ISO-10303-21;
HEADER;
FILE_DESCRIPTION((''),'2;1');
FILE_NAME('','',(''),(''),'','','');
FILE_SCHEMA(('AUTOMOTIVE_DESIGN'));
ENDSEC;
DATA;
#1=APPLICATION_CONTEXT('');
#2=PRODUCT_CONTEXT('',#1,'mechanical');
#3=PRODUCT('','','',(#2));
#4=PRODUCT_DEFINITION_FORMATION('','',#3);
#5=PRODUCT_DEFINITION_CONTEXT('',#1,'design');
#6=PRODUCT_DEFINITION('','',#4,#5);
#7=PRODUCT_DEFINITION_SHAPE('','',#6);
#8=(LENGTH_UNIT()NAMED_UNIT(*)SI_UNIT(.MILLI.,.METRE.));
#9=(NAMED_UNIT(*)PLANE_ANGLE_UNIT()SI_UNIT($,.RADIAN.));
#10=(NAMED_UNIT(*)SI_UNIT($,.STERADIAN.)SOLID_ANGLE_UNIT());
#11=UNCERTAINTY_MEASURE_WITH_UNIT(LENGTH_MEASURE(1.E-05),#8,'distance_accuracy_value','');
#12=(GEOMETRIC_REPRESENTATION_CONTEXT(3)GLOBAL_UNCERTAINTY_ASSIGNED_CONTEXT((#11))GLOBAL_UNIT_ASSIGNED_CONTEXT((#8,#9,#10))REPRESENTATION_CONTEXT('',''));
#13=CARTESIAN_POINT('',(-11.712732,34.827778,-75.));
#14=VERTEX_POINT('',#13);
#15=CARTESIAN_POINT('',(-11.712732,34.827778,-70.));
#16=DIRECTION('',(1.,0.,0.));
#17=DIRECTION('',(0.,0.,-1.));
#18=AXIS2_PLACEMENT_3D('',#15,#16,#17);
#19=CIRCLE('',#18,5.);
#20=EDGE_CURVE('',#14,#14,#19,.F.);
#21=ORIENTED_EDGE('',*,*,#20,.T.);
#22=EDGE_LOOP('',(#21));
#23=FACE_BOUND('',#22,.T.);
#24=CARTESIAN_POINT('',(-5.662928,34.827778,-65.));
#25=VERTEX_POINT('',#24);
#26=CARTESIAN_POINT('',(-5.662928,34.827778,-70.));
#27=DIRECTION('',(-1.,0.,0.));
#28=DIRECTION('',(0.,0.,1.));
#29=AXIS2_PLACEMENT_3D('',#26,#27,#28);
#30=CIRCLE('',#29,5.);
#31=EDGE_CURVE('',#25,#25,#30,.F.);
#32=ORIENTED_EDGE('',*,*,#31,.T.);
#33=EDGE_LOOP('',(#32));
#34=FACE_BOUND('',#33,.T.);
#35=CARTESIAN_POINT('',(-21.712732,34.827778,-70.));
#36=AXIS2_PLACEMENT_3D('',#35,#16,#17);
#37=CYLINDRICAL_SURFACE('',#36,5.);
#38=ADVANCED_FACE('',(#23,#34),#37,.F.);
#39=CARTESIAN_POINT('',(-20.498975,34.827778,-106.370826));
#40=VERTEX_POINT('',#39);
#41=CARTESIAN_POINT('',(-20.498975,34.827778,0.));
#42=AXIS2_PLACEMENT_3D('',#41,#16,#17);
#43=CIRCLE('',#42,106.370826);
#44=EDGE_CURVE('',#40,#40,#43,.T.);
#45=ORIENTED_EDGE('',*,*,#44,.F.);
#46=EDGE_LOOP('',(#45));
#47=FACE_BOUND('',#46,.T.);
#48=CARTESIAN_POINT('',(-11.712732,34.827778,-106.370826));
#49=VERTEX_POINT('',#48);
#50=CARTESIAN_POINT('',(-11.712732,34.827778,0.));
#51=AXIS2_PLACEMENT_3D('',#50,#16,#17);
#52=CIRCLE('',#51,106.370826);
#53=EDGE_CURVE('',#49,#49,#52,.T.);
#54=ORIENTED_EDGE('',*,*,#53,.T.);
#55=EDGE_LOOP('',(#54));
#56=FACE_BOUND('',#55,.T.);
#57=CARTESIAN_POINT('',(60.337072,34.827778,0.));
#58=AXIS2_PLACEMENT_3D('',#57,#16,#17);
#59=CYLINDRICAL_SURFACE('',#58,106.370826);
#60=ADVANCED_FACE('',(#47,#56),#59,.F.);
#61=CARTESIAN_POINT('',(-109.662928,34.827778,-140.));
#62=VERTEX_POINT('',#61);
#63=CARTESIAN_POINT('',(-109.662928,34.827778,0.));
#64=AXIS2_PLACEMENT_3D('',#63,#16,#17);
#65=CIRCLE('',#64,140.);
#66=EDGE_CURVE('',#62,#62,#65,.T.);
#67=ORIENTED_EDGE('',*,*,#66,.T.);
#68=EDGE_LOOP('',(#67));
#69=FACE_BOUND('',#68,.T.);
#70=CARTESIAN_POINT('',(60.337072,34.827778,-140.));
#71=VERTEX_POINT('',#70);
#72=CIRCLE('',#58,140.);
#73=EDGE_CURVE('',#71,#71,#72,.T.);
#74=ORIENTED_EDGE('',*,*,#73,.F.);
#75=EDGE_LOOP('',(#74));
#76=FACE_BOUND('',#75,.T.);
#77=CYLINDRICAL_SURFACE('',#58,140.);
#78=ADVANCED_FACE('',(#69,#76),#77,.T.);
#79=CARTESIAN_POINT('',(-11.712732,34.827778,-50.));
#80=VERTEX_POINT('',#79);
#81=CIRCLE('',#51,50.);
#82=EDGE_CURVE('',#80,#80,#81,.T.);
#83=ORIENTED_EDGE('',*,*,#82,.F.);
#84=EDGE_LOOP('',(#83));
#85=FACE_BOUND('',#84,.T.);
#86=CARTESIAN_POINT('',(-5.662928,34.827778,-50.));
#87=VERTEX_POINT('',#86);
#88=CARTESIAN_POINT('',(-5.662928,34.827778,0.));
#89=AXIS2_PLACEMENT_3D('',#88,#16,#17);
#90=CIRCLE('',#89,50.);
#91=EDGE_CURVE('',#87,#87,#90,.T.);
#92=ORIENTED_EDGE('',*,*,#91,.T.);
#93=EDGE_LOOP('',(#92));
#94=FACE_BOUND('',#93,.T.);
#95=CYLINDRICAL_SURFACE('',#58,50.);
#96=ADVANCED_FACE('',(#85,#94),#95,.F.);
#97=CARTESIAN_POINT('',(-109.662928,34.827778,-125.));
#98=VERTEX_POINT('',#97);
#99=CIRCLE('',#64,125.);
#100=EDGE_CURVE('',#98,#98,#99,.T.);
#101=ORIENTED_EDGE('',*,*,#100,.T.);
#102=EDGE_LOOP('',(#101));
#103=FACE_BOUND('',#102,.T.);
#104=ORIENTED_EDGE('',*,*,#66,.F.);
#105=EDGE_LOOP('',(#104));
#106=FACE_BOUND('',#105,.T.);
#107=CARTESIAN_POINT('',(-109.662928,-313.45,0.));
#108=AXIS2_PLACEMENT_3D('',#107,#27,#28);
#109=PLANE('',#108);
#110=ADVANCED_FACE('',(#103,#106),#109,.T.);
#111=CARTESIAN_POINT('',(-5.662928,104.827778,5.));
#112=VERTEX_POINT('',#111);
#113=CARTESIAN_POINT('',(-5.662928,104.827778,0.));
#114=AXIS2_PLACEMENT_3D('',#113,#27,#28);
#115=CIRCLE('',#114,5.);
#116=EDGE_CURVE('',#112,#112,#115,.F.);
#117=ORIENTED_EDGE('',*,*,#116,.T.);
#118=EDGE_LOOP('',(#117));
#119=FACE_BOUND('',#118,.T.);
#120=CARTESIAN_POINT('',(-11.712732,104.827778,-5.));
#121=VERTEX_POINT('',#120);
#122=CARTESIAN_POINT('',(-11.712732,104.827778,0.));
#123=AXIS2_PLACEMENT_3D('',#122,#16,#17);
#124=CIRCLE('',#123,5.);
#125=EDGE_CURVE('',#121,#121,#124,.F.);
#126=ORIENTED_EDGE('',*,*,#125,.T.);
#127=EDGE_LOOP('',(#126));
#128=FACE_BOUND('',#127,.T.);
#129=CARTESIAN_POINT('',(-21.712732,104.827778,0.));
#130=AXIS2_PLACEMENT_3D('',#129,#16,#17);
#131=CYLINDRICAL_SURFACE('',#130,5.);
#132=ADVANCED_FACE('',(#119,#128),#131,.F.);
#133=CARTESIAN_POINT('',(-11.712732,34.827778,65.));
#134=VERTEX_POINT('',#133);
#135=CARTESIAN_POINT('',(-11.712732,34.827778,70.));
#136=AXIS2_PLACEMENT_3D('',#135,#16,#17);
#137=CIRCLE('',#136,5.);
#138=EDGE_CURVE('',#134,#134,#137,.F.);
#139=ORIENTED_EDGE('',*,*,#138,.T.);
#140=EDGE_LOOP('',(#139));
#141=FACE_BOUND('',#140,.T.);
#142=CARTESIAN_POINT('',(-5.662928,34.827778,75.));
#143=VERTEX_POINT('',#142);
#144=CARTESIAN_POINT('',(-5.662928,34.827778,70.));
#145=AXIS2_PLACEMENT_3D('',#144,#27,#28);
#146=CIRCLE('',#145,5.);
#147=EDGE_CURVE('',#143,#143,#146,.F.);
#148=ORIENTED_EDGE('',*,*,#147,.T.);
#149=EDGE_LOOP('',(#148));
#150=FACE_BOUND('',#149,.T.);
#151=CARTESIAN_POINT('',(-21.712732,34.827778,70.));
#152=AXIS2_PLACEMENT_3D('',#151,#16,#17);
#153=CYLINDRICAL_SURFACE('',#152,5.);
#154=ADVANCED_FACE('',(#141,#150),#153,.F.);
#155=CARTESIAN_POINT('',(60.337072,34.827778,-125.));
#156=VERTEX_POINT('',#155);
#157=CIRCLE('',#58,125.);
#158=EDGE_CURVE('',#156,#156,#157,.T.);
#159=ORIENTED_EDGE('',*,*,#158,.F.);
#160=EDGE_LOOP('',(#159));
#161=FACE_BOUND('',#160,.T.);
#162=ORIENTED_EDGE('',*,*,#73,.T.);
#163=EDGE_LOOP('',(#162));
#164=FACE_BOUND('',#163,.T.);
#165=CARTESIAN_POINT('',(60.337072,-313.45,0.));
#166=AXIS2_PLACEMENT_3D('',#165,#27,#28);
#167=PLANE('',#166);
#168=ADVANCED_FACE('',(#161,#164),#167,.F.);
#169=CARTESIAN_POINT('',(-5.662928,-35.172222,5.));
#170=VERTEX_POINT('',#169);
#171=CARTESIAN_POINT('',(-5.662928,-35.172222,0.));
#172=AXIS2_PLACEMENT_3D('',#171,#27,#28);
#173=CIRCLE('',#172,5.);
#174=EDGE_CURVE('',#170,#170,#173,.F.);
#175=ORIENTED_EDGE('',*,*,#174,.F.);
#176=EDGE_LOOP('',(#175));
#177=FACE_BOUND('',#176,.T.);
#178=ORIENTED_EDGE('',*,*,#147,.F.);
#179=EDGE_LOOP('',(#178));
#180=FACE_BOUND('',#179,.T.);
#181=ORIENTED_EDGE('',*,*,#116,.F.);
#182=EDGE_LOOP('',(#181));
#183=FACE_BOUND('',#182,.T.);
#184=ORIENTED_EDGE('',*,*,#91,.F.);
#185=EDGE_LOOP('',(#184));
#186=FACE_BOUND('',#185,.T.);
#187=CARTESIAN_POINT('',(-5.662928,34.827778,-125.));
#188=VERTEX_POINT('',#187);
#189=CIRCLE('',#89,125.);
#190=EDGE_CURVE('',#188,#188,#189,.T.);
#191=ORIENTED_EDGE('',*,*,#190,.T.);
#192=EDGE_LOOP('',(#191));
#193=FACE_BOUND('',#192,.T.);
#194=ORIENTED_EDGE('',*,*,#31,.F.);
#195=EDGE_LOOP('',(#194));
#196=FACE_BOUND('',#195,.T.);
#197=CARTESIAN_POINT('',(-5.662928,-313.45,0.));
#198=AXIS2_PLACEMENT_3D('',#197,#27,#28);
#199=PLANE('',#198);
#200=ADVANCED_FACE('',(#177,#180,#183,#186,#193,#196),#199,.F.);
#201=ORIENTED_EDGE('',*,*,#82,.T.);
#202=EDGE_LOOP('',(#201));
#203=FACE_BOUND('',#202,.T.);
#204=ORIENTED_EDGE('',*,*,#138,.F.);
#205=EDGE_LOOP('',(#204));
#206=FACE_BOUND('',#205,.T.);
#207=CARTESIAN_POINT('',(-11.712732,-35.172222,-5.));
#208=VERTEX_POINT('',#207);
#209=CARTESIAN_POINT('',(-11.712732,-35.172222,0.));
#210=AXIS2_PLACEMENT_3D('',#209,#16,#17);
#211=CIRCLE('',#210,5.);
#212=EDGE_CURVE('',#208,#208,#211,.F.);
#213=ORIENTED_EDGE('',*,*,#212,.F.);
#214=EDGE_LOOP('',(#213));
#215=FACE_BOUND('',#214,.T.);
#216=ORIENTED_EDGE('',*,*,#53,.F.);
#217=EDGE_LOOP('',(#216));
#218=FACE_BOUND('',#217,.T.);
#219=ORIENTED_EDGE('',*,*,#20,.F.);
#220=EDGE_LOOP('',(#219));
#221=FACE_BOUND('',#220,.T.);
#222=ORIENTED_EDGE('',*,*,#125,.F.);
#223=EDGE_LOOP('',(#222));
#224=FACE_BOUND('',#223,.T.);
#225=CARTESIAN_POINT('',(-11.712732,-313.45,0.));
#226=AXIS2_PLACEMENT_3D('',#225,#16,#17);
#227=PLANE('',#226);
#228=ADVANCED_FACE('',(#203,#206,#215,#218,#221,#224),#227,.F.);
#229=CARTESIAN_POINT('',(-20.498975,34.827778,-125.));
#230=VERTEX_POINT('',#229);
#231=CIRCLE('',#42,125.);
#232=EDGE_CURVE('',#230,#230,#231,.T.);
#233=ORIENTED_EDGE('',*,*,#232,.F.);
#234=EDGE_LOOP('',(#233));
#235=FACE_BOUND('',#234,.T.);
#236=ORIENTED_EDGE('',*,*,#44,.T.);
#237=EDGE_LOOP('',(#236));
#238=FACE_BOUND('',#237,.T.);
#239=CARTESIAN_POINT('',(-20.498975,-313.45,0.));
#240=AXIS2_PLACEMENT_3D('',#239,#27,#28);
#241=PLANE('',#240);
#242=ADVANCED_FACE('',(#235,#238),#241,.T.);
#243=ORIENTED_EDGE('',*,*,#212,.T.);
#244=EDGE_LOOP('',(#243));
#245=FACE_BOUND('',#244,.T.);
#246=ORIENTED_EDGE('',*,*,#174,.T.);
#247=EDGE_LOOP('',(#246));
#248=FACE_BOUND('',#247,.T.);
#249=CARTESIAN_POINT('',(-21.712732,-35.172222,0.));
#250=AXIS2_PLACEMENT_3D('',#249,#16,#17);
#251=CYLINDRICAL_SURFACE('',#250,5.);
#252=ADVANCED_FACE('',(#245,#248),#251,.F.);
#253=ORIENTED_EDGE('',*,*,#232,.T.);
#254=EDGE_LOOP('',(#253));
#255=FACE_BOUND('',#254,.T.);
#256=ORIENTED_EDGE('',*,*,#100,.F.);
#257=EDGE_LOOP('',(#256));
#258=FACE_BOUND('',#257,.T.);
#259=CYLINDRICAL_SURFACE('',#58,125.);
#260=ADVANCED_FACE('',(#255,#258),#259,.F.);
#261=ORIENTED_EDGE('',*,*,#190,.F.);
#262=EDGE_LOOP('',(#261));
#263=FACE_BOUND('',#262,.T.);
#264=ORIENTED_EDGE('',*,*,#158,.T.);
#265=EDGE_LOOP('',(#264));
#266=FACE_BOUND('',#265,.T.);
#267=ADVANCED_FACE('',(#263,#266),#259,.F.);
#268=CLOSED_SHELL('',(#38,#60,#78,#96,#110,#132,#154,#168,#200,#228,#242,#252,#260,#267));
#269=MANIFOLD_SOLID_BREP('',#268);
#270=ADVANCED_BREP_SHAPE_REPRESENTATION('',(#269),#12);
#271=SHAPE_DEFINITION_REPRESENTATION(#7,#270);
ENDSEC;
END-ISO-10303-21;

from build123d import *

# Parameters (mm, degrees)
SCALE1_SCALE            = 10
CUT_EXTRUDE1_DEPTH      = 10
CUT_EXTRUDE1_DEPTH_BACK = 10
SKETCH4_R               = 5


with BuildPart() as part:
    # Sketch1 → Revolve1 (revolve)
    with BuildSketch(Plane.XY, mode=Mode.PRIVATE) as revolve1_sk:
        Polygon((-22.439160201, 47.327777778), (-22.439160201, 45.464860395), (-21.56053595, 45.464860395), (-21.56053595, 39.827777778), (-20.955555556, 39.827777778), (-20.955555556, 47.327777778), (-14.355555556, 47.327777778), (-14.355555556, 48.827777778), (-31.355555556, 48.827777778), (-31.355555556, 47.327777778), align=None)
    revolve(revolve1_sk.sketch.rotate(Axis((-14.355555556, 34.827777778, 0), (-1, 0, 0)), 90), axis=Axis((-14.355555556, 34.827777778, 0), (-1, 0, 0)))


with BuildPart() as part_1:
    # Scale1: scaled about (-22.654736369, 34.827777778, 0)
    add(part.part.scale(SCALE1_SCALE).moved(Location((203.892627321, -313.450000002, 0))))

    # Sketch4 → Cut-Extrude1 (cut, two sides: drawn at the far end of the back side and taken through both)
    with BuildSketch(Plane.ZY.offset(11.712732179).offset(-CUT_EXTRUDE1_DEPTH_BACK)):
        with Locations(Location((-70, 34.827777778, 0), (0, 0, 180))):
            Circle(SKETCH4_R)
        with Locations(Location((0, 104.827777778, 0), (0, 0, 180))):
            Circle(SKETCH4_R)
        with Locations(Location((70, 34.827777778, 0), (0, 0, 180))):
            Circle(SKETCH4_R)
        with Locations(Location((0, -35.172222222, 0), (0, 0, 180))):
            Circle(SKETCH4_R)
    extrude(amount=CUT_EXTRUDE1_DEPTH + CUT_EXTRUDE1_DEPTH_BACK, mode=Mode.SUBTRACT)


solid = part_1.part
